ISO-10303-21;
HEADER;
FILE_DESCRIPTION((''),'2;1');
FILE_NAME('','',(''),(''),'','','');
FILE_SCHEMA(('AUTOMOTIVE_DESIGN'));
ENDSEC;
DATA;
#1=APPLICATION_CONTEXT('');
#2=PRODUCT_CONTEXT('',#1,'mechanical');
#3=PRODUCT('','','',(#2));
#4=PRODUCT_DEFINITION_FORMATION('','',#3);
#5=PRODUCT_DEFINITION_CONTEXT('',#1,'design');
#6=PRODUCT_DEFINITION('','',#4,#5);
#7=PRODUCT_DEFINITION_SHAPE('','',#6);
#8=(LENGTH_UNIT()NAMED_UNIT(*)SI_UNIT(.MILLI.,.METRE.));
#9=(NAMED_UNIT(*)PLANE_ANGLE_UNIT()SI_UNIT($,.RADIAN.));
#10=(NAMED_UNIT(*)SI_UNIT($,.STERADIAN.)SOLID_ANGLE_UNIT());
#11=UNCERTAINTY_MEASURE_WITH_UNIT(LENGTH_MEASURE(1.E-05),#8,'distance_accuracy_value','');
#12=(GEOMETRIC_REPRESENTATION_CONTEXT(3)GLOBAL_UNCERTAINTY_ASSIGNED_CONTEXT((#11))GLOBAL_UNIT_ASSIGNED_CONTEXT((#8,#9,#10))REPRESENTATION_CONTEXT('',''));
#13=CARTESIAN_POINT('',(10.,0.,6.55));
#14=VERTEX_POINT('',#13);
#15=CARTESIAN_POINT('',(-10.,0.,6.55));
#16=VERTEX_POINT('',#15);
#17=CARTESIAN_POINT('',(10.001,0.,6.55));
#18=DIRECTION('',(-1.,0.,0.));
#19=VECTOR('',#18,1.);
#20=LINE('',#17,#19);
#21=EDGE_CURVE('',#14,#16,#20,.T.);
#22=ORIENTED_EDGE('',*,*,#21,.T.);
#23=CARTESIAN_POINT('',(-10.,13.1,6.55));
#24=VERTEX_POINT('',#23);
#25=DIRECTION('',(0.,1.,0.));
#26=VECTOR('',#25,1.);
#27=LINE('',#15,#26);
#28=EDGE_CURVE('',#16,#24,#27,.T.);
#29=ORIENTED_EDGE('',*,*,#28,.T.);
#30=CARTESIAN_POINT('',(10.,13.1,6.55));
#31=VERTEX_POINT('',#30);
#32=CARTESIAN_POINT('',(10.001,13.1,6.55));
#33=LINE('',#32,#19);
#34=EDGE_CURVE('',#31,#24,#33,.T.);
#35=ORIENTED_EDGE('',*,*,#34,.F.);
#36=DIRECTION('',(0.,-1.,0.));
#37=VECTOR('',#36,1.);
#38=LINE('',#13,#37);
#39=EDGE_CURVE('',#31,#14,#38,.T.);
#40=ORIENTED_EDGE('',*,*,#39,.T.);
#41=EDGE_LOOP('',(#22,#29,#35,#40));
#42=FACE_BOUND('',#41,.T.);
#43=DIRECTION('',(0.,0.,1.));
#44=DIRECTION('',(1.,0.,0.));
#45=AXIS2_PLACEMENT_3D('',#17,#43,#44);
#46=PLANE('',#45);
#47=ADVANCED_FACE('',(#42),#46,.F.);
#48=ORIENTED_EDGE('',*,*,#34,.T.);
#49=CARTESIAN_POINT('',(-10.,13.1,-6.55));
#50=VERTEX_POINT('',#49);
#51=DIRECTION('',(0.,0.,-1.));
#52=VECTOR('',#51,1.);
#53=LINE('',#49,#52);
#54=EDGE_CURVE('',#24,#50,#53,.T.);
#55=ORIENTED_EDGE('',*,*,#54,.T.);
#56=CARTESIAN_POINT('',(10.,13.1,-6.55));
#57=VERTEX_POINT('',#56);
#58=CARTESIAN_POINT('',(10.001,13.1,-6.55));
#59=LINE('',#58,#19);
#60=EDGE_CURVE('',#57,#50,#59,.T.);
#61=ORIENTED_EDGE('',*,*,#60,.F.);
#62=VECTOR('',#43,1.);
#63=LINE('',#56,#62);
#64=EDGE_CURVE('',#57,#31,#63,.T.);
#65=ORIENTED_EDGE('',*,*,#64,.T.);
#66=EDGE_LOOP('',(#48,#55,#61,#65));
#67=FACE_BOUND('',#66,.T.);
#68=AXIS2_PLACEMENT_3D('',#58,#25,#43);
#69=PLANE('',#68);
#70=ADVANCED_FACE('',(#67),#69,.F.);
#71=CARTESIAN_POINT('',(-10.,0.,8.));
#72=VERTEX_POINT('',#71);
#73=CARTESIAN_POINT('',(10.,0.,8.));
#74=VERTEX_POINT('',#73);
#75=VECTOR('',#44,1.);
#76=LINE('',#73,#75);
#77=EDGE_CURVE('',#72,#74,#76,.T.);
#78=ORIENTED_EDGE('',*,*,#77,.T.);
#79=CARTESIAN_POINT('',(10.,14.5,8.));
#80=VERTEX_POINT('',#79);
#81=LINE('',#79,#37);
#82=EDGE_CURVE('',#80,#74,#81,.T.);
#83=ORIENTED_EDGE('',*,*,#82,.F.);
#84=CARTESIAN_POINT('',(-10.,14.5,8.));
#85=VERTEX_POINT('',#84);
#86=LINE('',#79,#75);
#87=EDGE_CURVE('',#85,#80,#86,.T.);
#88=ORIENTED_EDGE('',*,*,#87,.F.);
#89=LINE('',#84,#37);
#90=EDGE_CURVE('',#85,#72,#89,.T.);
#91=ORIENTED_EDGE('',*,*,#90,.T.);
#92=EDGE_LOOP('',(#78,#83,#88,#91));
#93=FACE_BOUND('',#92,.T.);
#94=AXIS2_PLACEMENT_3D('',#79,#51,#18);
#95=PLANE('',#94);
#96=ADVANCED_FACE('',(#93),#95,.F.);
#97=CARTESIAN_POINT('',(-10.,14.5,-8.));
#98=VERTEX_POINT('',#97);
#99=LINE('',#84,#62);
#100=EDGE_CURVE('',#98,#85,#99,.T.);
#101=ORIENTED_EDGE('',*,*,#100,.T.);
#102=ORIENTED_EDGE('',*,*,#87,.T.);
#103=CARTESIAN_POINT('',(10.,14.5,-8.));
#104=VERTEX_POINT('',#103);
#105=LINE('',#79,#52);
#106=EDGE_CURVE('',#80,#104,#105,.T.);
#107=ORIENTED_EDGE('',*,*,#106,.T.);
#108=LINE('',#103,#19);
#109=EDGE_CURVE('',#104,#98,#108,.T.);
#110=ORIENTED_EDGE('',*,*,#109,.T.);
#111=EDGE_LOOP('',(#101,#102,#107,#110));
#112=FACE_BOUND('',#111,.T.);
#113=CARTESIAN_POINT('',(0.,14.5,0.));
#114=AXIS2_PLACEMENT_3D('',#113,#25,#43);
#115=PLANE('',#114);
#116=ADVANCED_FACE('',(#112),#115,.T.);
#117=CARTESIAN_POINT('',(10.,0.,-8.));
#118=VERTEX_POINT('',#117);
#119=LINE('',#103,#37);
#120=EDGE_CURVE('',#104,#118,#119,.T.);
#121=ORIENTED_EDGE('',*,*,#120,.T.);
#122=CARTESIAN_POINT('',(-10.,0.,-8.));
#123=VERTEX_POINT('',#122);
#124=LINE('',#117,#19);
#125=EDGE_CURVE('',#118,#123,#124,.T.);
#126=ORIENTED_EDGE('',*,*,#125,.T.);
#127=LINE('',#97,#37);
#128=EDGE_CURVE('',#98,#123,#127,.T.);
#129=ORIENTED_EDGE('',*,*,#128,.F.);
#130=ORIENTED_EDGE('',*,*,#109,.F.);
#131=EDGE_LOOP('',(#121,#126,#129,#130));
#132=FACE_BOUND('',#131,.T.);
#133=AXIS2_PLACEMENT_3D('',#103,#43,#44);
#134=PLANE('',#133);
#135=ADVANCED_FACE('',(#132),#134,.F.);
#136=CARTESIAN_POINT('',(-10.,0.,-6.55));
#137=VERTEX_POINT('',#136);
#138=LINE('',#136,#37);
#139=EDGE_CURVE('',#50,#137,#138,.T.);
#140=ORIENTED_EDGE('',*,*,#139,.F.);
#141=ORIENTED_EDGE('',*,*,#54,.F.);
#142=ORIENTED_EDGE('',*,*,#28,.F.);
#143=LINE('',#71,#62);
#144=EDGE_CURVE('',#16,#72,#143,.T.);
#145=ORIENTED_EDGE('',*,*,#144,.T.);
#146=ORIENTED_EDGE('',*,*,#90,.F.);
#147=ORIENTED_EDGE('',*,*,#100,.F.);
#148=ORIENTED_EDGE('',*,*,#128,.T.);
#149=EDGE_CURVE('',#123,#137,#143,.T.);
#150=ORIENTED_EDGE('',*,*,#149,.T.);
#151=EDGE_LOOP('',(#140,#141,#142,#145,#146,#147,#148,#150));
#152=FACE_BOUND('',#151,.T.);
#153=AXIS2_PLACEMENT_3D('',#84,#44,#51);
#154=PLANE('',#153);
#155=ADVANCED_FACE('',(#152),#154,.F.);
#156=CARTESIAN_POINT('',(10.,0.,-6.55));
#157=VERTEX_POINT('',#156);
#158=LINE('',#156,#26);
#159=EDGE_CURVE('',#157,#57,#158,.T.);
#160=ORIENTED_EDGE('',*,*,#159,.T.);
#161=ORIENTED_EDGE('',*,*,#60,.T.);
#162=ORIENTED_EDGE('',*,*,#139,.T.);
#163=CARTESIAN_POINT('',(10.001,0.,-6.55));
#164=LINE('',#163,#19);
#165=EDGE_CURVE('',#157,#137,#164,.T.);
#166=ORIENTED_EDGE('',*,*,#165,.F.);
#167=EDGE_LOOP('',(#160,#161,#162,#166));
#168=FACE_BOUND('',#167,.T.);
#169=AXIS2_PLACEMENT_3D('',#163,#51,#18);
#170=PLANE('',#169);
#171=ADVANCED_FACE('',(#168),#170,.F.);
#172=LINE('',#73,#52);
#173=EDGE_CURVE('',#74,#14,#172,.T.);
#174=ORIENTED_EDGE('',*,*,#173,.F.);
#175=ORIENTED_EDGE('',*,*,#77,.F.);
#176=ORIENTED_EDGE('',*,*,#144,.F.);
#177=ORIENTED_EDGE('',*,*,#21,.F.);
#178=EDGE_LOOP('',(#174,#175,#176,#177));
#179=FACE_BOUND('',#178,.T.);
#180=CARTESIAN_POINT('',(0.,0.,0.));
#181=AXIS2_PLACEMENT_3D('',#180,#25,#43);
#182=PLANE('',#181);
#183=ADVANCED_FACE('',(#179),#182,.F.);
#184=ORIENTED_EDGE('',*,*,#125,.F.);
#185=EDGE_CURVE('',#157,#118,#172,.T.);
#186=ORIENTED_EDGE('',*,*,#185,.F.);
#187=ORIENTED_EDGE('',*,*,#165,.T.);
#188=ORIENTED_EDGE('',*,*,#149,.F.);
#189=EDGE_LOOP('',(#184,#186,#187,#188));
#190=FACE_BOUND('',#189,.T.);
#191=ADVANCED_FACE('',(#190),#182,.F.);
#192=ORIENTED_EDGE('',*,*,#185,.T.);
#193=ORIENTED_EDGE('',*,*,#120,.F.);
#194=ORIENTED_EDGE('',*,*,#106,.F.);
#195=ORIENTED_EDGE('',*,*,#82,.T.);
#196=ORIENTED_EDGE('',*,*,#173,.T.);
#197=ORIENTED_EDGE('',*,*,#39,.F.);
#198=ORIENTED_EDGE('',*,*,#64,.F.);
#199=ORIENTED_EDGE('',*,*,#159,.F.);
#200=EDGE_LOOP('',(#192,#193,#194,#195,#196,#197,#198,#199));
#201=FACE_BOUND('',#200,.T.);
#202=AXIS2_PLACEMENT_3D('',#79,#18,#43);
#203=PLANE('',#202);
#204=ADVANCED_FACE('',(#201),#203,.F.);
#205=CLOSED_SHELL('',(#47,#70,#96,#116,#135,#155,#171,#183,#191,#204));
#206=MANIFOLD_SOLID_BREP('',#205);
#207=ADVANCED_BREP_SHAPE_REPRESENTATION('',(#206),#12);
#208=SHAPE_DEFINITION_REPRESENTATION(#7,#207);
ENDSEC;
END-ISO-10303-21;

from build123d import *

# Parameters (mm, degrees)
SKETCH1_W           = 20
SKETCH1_H           = 16
BOSS_EXTRUDE1_DEPTH = 14.5
CUT_EXTRUDE1_REACH  = 22
SKETCH2_W           = 13.1
SKETCH2_H           = 13.1


with BuildPart() as part:
    # Sketch1 → Boss-Extrude1 (new body)
    with BuildSketch(Plane(origin=(0, 0, 0), x_dir=(1, 0, 0), z_dir=(0, 1, 0))):
        Rectangle(SKETCH1_W, SKETCH1_H)
    extrude(amount=BOSS_EXTRUDE1_DEPTH)

    # Sketch2 → Cut-Extrude1 (cut, up to next)
    with BuildSketch(Plane.ZY.offset(10), mode=Mode.PRIVATE) as cut_extrude1_sk1:
        with Locations((0, 6.55)):
            Rectangle(SKETCH2_W, SKETCH2_H)
    cut_extrude1_tool1 = extrude(cut_extrude1_sk1.sketch, amount=-CUT_EXTRUDE1_REACH, mode=Mode.PRIVATE) & part.part
    add(cut_extrude1_tool1.solids().sort_by_distance((-10, 6.55, 0))[0], mode=Mode.SUBTRACT)


solid = part.part
